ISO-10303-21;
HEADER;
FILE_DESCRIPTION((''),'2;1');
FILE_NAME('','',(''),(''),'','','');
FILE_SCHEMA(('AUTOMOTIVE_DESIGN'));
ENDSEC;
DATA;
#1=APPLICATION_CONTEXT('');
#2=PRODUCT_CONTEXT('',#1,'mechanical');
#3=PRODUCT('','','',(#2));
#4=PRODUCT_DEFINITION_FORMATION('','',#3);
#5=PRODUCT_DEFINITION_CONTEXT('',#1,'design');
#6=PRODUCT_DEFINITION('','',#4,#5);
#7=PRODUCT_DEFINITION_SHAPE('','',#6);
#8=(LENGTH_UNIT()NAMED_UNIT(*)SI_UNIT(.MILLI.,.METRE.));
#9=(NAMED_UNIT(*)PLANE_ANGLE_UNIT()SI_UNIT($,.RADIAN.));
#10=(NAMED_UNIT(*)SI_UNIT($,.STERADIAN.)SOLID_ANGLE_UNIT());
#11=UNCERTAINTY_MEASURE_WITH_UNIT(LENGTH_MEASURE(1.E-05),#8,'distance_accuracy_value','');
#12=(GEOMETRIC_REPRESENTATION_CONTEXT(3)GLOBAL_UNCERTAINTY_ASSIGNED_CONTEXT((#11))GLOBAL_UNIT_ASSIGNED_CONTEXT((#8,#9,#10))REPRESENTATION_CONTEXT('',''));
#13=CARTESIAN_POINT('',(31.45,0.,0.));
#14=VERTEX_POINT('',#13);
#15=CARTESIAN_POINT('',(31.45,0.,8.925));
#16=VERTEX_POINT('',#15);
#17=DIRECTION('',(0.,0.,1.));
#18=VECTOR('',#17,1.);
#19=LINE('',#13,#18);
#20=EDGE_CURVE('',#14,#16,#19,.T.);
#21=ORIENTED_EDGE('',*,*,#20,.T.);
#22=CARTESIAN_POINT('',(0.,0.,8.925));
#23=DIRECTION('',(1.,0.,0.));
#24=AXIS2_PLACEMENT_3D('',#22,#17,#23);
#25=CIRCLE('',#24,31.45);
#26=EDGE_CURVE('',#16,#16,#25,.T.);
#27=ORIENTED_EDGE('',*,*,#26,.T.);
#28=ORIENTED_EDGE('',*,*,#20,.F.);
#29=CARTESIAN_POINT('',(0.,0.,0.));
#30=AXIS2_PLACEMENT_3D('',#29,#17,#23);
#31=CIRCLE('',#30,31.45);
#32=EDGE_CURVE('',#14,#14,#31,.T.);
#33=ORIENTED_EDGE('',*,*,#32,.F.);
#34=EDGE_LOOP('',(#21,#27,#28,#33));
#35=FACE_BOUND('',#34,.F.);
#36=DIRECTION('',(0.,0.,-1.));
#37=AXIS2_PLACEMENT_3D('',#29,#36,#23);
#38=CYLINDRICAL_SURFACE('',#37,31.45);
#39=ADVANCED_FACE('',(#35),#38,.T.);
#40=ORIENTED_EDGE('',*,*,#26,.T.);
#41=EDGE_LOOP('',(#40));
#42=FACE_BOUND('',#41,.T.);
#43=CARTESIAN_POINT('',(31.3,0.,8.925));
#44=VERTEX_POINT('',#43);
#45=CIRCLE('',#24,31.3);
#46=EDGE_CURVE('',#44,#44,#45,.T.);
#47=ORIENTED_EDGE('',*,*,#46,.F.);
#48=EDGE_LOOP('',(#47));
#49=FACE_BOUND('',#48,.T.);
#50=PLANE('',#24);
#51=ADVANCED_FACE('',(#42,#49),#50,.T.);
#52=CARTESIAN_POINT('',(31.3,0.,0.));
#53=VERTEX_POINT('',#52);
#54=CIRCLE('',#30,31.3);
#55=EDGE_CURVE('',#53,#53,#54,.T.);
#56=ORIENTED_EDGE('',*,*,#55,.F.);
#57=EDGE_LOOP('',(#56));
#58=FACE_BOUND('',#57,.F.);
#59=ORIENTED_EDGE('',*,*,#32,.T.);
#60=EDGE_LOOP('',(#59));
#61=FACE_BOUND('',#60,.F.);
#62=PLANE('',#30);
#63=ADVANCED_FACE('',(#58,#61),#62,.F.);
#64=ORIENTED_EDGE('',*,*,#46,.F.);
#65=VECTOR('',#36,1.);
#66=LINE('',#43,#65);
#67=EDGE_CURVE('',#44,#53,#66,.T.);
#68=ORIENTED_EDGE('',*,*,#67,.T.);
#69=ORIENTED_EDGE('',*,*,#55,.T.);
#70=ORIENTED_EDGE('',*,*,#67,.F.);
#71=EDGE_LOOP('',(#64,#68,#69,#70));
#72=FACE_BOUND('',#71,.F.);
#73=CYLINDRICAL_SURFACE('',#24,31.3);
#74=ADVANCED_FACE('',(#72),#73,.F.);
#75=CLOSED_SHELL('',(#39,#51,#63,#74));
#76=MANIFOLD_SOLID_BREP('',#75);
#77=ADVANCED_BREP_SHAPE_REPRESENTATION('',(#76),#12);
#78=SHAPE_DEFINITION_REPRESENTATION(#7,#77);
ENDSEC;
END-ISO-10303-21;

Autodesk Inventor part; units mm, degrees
ref_plane "YZ Plane" through (0, 0, 0) normal (1, 0, 0) x (0, 1, 0)
ref_plane "XZ Plane" through (0, 0, 0) normal (0, 1, 0) x (-1, 0, 0)
ref_plane "XY Plane" through (0, 0, 0) normal (0, 0, 1) x (1, 0, 0)
sketch "Sketch1" plane through (0, 0, 0) normal (0, 0, 1) x (1, 0, 0)
  circle A0 centre (0, 0) radius 31.45
  dimension "d0" = 62.9
extrude "Extrusion1" add sketch "Sketch1" along normal blind 8.925
sketch "Sketch2" plane through (0, 0, 8.925) normal (0, 0, 1) x (1, 0, 0)
  circle A0 centre (0, 0) radius 31.3
  dimension "d3" = 62.6
extrude "Extrusion2" cut sketch "Sketch2" against normal through all
properties part number "BNG_REV_00_5"
